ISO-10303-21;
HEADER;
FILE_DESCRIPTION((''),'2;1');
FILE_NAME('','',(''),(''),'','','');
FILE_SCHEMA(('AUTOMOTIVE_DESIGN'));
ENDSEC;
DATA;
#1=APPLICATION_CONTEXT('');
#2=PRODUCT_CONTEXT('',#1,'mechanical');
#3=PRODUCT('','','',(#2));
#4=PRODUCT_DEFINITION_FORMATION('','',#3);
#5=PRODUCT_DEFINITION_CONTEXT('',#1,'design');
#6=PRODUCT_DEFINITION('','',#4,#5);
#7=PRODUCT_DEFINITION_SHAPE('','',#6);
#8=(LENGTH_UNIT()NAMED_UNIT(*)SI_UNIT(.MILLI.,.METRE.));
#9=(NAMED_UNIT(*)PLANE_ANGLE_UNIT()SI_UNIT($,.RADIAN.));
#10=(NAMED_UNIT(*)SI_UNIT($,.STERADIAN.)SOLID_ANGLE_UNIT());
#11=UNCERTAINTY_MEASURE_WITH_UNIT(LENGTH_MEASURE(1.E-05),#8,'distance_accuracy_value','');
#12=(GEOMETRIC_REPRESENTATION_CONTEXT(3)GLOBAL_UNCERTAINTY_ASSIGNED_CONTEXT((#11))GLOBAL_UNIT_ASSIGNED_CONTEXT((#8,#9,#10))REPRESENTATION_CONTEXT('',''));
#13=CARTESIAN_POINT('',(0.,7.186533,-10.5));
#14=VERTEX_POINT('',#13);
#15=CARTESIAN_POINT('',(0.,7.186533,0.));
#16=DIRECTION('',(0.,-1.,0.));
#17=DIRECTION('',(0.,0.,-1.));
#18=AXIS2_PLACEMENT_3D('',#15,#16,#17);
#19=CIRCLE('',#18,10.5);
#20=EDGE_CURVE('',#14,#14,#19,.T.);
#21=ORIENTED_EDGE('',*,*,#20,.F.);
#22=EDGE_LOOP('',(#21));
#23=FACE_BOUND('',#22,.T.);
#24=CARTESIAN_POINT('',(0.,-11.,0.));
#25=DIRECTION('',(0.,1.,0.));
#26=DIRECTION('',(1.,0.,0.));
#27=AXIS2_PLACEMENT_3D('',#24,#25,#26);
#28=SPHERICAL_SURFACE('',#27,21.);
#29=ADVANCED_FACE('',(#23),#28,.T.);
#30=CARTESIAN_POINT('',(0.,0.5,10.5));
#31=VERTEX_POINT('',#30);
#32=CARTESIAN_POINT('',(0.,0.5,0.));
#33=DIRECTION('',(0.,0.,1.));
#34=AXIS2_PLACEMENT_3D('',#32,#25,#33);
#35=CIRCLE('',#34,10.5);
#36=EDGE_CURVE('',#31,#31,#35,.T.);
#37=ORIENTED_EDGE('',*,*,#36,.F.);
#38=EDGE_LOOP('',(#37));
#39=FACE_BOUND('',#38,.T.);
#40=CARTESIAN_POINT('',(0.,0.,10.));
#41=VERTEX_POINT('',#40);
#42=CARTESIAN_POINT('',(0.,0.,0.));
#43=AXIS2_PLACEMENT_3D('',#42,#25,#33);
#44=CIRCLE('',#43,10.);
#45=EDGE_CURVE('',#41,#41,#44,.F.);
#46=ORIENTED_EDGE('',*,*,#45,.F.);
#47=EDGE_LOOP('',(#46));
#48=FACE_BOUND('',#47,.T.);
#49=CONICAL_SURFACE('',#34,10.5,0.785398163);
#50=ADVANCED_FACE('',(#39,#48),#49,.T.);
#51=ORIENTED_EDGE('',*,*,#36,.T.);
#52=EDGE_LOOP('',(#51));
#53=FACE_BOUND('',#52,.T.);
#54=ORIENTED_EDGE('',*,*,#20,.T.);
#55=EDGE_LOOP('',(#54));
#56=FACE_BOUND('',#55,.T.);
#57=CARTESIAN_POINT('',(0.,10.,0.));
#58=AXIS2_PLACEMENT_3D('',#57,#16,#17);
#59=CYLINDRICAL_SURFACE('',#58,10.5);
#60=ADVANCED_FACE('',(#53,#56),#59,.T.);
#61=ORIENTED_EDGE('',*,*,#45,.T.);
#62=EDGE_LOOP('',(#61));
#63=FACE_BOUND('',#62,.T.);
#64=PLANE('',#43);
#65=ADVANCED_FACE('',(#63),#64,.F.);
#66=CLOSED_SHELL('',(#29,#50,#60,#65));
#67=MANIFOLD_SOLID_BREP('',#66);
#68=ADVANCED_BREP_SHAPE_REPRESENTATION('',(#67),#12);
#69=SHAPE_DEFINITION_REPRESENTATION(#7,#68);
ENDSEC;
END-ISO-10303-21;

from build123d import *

# Parameters (mm, degrees)
SKETCH2_R               = 21
SKETCH2_R_2             = 10.5
CUT_EXTRUDE1_DEPTH      = 11
CUT_EXTRUDE1_DEPTH_BACK = 12
SKETCH2_5_R             = 10.5
CUT_EXTRUDE2_DEPTH      = 12
CHAMFER1_SIZE           = 0.5


with BuildPart() as part:
    # Sketch1 → Revolve1 (revolve)
    with BuildSketch(Plane.XY):
        with BuildLine():
            Line((0, 10), (0, -11))
            Line((0, -11), (-21, -11))
            ThreePointArc((-21, -11), (-14.849242405, 3.849242405), (0, 10))
        make_face()
    revolve(axis=Axis((0, 10, 0), (0, -1, 0)))

    # Sketch2 → Cut-Extrude1 (cut, two sides)
    with BuildSketch(Plane(origin=(0, 0, 0), x_dir=(1, 0, 0), z_dir=(0, 1, 0))) as cut_extrude1_sk:
        Circle(SKETCH2_R)
        Circle(SKETCH2_R_2, mode=Mode.SUBTRACT)
    extrude(amount=CUT_EXTRUDE1_DEPTH, mode=Mode.SUBTRACT)
    extrude(cut_extrude1_sk.sketch, amount=-CUT_EXTRUDE1_DEPTH_BACK, mode=Mode.SUBTRACT)

    # Sketch2<5> → Cut-Extrude2 (cut, through all)
    with BuildSketch(Plane(origin=(0, 0, 0), x_dir=(1, 0, 0), z_dir=(0, 1, 0))):
        Circle(SKETCH2_5_R)
    extrude(amount=-CUT_EXTRUDE2_DEPTH, mode=Mode.SUBTRACT)

    # Chamfer1
    chamfer1_edges = [part.edges().sort_by_distance(p)[0] for p in [
        (-10.5, 0, 0),
    ]]
    chamfer(chamfer1_edges, length=CHAMFER1_SIZE)


solid = part.part
